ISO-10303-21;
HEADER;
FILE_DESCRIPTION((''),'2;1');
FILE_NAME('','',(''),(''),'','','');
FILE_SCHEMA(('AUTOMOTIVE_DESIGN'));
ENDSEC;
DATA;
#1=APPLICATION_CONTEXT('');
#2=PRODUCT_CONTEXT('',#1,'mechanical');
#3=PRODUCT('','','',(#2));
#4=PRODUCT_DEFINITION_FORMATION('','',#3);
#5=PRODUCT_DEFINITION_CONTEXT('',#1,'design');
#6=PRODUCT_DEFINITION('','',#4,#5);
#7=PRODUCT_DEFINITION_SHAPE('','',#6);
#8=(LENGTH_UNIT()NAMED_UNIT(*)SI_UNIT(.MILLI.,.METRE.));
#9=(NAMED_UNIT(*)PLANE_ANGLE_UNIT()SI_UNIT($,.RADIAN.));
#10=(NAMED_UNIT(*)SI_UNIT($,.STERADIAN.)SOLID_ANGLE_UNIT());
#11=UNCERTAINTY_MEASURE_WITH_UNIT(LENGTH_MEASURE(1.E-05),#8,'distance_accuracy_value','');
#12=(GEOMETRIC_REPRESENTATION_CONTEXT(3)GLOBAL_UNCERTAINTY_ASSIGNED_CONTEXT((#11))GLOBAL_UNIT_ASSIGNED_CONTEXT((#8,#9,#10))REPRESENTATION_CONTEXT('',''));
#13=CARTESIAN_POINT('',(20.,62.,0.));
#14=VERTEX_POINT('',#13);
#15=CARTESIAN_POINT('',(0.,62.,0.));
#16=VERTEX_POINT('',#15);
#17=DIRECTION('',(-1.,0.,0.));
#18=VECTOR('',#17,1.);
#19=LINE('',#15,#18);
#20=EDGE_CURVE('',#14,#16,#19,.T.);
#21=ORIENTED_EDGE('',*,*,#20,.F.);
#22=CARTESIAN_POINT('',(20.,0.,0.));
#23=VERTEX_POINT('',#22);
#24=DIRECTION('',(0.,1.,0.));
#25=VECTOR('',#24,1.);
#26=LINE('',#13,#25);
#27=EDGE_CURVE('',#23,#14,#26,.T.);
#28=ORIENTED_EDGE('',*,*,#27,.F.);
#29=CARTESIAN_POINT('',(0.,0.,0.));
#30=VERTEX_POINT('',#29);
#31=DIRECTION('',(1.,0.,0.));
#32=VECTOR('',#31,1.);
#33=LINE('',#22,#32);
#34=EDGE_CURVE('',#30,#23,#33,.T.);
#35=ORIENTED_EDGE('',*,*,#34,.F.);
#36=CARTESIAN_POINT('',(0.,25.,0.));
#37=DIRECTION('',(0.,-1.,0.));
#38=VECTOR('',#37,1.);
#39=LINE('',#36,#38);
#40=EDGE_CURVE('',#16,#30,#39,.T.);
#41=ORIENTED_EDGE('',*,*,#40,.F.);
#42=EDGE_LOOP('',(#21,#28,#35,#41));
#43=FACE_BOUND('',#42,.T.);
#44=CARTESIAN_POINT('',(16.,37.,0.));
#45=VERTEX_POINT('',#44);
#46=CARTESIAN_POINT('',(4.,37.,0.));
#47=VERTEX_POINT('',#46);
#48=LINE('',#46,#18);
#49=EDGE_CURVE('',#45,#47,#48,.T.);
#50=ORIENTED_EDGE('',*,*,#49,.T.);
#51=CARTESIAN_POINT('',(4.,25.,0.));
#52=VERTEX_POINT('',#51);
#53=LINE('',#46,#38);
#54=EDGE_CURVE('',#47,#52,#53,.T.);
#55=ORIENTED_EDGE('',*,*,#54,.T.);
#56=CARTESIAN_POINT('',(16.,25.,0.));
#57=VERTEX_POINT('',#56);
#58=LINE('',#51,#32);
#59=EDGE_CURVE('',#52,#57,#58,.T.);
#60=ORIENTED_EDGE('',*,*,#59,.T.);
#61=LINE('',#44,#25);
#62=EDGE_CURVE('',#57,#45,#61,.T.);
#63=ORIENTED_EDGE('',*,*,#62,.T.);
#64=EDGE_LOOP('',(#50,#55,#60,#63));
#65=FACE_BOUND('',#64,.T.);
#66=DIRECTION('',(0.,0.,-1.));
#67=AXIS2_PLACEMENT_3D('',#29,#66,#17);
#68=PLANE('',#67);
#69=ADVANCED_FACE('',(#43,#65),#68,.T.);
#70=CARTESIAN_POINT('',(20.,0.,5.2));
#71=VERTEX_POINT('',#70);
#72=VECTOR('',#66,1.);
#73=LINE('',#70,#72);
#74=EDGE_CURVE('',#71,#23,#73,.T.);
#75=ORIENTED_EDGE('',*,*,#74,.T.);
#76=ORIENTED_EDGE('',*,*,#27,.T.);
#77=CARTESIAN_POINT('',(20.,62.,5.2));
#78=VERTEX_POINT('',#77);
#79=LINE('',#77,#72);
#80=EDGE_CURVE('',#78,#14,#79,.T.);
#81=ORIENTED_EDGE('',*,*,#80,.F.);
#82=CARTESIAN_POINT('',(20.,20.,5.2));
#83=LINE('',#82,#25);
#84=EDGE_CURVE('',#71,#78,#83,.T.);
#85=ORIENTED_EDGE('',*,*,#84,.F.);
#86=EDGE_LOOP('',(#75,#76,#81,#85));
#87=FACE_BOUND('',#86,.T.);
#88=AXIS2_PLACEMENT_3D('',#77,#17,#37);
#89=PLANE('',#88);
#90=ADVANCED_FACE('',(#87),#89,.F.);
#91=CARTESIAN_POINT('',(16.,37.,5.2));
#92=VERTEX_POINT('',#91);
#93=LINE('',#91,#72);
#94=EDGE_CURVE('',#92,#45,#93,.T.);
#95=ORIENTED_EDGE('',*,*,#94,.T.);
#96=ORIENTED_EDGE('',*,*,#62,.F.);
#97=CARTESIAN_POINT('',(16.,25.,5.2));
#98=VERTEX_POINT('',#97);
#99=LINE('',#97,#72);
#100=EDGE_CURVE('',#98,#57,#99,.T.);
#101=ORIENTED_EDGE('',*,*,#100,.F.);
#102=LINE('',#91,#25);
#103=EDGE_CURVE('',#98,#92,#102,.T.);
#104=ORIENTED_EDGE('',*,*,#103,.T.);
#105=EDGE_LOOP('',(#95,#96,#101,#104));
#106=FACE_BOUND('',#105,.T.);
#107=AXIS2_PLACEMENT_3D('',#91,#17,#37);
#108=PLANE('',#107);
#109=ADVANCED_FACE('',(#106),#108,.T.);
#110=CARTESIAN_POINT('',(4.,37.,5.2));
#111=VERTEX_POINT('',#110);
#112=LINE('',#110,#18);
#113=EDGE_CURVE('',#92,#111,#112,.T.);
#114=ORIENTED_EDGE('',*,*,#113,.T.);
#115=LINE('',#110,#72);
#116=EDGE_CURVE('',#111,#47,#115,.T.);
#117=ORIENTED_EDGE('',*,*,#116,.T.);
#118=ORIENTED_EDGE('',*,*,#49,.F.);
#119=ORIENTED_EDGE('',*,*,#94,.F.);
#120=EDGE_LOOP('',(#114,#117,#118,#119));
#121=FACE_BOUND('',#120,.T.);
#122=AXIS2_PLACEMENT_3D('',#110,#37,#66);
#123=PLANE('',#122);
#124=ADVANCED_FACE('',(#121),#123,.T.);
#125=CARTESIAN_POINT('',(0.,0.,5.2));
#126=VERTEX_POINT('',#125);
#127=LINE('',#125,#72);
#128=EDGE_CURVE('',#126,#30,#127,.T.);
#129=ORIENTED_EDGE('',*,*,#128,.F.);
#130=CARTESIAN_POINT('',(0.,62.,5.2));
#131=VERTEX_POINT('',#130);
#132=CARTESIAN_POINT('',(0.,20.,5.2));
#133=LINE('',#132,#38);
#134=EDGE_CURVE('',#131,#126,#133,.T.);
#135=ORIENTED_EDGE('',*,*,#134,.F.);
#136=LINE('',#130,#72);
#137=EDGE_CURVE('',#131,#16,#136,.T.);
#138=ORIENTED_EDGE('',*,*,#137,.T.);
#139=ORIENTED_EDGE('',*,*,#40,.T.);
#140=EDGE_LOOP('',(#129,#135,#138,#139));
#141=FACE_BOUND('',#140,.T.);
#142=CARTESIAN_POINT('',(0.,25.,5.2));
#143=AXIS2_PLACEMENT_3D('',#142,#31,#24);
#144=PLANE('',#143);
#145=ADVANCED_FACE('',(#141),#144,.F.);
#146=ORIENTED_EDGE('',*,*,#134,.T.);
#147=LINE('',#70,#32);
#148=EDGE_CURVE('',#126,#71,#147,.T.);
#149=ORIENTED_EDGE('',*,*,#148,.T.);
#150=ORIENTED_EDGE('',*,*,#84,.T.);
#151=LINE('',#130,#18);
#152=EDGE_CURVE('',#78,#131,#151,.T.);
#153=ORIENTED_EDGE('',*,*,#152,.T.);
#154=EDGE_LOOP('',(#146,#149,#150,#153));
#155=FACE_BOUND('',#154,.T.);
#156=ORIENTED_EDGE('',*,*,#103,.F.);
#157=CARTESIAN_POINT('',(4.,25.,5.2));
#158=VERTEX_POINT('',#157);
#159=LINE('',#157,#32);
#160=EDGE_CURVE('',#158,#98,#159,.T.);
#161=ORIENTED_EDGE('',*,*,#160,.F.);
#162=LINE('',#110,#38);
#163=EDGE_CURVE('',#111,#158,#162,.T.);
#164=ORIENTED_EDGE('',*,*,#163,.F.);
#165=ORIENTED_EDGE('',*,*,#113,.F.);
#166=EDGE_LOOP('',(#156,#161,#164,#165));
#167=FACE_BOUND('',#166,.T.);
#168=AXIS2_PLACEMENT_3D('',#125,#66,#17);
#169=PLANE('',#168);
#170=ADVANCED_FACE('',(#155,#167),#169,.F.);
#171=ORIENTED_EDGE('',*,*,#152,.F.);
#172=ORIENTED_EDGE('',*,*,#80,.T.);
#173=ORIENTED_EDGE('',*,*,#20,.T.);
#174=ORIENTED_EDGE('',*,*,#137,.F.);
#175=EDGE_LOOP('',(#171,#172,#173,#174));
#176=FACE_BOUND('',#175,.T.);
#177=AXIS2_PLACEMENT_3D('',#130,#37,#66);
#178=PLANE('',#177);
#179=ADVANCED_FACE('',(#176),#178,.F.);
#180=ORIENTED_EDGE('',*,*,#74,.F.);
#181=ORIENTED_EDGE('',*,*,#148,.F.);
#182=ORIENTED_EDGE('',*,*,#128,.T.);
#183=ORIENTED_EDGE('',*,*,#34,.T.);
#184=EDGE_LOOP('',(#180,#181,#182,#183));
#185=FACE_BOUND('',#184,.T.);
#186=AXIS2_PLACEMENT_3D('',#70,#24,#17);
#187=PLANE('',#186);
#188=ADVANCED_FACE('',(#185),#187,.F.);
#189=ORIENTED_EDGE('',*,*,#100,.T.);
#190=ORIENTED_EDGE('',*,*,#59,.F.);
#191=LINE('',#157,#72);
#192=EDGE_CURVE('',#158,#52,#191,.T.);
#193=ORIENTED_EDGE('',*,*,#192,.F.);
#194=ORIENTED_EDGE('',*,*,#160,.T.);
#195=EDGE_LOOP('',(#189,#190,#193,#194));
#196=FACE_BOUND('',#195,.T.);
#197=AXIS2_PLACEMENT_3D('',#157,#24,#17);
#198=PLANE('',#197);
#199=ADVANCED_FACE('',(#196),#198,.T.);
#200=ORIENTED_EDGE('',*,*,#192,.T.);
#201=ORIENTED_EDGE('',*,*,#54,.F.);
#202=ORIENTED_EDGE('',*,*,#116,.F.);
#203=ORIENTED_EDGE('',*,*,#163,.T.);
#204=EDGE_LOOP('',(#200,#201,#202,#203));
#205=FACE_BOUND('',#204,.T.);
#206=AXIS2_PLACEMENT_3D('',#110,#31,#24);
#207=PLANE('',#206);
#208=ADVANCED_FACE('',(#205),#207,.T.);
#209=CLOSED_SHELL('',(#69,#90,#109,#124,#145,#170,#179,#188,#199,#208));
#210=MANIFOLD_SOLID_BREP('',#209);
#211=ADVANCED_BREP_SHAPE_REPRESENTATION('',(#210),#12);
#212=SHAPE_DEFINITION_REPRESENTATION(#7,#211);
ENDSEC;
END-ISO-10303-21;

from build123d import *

# Parameters (mm, degrees)
SKETCH1_W           = 12
SKETCH1_H           = 12
BOSS_EXTRUDE1_DEPTH = 5.2


with BuildPart() as part:
    # Sketch1 → Boss-Extrude1 (new body)
    with BuildSketch(Plane.XY):
        Polygon((0, 62), (0, 42), (0, 37), (0, 25), (0, 20), (0, 0), (20, 0), (20, 20), (20, 25), (20, 37), (20, 42), (20, 62), align=None)
        with Locations((10, 31)):
            Rectangle(SKETCH1_W, SKETCH1_H, mode=Mode.SUBTRACT)
    extrude(amount=BOSS_EXTRUDE1_DEPTH)


solid = part.part
